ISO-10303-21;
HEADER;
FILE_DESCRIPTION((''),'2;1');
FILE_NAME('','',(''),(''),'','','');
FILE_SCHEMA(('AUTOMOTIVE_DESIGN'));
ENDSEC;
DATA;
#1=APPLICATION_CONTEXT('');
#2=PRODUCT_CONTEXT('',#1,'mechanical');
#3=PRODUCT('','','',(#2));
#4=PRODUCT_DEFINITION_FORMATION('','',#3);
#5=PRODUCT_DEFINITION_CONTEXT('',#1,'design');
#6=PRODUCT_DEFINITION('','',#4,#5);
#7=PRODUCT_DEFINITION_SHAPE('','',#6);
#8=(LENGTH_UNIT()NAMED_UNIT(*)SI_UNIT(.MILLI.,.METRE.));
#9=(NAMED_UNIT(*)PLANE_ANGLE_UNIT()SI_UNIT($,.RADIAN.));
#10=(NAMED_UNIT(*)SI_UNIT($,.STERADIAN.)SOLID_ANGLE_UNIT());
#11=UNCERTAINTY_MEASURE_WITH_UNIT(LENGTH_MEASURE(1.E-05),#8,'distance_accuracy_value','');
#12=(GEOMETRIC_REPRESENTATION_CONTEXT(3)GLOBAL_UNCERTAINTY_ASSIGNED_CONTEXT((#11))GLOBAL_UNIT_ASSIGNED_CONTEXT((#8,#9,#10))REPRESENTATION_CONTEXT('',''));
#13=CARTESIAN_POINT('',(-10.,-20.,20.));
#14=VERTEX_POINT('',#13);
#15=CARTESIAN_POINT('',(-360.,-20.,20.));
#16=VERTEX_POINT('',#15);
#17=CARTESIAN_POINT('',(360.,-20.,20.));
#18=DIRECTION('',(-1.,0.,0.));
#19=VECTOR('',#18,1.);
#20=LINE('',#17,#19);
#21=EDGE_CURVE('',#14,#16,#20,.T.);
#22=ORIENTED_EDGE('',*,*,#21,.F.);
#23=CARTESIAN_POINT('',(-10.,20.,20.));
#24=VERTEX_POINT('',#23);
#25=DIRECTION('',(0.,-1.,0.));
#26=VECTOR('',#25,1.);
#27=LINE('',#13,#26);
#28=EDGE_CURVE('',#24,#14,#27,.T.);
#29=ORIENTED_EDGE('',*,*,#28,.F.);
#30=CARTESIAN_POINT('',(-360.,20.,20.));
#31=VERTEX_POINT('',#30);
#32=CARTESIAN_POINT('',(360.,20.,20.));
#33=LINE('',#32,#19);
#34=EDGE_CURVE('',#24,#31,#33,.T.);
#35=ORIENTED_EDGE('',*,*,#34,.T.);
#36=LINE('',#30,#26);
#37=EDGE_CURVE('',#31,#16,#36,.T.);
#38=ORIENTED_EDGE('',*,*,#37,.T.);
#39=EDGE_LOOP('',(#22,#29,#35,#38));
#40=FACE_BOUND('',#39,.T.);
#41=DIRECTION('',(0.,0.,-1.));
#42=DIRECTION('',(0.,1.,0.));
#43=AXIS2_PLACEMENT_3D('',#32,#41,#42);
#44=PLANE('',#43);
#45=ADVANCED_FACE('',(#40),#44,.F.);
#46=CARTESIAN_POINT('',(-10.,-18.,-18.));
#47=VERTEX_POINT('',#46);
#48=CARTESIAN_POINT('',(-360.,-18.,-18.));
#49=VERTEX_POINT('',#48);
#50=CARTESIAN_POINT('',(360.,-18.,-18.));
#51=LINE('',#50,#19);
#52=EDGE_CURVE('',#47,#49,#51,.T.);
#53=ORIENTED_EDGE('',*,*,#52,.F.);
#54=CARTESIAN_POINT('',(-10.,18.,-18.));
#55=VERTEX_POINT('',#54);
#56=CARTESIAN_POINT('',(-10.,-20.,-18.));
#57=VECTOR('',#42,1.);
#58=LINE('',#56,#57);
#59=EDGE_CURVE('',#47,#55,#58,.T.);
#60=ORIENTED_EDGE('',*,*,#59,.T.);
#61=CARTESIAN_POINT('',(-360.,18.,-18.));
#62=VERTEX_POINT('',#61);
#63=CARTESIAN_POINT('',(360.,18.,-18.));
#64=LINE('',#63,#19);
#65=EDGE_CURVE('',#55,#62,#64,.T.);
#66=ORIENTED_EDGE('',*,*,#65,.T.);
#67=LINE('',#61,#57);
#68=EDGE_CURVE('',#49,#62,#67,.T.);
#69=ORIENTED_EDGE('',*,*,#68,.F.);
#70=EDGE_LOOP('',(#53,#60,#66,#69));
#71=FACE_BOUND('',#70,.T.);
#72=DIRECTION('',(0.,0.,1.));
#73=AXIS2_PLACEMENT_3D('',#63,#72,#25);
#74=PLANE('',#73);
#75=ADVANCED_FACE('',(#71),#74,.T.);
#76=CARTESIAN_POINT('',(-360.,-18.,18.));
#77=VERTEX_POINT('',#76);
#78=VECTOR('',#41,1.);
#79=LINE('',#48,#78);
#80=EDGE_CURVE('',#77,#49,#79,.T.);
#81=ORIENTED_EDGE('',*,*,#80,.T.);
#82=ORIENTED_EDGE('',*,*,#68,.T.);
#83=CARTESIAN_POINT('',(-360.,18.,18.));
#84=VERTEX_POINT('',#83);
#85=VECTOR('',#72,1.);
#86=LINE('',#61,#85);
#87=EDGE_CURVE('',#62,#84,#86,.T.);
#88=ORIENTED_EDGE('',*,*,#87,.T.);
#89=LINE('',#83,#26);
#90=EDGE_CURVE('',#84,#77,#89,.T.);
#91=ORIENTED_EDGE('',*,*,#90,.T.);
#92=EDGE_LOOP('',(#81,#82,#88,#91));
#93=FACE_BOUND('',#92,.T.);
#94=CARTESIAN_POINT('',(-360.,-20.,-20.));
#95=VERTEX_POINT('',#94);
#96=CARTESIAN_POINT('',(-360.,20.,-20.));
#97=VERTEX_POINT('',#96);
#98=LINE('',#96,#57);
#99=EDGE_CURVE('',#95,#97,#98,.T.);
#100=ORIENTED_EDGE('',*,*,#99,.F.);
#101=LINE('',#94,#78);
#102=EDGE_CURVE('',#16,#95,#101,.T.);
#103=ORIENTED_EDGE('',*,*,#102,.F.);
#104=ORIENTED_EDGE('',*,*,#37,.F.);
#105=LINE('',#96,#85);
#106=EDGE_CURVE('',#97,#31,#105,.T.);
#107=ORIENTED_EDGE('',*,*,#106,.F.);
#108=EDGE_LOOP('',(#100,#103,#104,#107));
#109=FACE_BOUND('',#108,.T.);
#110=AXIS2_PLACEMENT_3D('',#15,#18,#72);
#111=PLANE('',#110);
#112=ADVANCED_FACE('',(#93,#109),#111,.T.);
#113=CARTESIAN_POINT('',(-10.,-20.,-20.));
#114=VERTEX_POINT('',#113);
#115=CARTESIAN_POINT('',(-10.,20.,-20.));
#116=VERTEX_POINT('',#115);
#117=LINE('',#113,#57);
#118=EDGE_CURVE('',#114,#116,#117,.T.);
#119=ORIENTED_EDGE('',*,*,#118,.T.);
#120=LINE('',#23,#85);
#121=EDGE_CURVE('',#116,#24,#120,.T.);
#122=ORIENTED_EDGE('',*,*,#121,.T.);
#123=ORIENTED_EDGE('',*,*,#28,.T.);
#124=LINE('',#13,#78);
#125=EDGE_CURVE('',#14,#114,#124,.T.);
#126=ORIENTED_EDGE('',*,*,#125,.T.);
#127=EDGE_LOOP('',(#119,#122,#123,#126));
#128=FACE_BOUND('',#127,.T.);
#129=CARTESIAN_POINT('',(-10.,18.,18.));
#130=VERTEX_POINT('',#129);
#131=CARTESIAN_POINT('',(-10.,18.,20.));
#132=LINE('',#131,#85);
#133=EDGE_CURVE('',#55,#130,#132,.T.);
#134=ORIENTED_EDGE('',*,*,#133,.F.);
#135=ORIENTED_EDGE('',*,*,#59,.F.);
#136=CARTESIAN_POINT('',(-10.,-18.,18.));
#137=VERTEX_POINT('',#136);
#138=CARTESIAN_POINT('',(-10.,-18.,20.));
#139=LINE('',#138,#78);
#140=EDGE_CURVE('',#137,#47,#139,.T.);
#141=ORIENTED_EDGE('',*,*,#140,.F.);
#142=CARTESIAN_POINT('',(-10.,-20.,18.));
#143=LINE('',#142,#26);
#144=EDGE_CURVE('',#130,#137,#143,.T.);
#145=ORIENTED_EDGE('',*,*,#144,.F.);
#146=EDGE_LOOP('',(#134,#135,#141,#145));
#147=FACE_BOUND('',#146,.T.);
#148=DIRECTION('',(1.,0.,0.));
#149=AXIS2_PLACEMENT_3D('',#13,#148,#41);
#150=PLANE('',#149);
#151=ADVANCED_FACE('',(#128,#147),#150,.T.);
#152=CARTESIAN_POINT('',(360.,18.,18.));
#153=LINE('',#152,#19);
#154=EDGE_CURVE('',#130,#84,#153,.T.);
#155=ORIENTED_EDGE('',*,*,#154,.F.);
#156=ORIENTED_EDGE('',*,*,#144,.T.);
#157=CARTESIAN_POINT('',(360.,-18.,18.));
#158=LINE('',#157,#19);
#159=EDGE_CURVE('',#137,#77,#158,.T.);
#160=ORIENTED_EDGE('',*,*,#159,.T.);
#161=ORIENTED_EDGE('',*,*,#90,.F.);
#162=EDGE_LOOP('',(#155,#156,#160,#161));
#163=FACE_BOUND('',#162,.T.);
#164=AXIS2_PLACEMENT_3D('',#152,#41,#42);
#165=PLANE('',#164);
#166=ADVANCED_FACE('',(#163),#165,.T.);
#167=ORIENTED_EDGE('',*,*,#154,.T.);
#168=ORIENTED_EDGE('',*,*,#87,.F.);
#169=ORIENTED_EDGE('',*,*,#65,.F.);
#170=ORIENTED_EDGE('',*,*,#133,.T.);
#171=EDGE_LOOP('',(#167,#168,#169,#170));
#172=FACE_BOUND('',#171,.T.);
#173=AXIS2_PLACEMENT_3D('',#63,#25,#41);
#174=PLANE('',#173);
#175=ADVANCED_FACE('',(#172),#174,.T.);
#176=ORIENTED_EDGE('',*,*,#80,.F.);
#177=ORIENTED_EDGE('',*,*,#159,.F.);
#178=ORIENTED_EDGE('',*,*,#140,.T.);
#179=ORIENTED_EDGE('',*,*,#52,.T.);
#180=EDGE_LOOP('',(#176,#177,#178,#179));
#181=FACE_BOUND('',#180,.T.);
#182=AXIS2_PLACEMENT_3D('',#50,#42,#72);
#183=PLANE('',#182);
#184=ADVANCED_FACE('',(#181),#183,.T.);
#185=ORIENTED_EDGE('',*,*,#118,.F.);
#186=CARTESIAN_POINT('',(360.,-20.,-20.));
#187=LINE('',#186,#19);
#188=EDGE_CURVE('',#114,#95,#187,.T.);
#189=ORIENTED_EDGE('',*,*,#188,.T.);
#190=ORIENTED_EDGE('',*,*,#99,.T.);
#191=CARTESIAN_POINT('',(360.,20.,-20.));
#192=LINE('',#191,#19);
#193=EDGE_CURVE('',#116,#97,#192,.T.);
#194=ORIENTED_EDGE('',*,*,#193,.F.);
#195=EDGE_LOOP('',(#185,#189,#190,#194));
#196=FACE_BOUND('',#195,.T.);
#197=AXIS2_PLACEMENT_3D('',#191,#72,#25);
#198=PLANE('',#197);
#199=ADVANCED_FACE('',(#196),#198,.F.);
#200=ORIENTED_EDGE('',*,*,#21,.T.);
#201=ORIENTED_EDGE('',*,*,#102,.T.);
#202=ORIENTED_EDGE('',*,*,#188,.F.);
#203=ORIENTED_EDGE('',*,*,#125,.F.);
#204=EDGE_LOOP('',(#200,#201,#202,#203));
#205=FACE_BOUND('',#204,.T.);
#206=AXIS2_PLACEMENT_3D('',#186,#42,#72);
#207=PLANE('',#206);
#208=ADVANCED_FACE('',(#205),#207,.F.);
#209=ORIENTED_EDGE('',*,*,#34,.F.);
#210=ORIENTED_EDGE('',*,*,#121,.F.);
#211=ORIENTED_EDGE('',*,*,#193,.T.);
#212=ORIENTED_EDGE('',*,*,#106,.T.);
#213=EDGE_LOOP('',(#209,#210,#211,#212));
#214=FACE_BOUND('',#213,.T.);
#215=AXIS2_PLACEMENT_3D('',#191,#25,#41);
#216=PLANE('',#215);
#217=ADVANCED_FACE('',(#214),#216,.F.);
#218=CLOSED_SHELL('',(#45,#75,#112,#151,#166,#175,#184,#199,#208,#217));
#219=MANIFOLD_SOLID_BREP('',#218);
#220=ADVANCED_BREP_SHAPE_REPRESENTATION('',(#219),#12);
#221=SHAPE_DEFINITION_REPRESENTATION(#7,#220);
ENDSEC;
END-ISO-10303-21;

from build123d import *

# Parameters (mm, degrees)
SKETCH1_W           = 40
SKETCH1_H           = 40
SKETCH1_W_2         = 36
SKETCH1_H_2         = 36
BOSS_EXTRUDE1_DEPTH = 360
CUT_EXTRUDE1_START  = 360
SKETCH1_2_W         = 40
SKETCH1_2_H         = 40
SKETCH1_2_W_2       = 36
SKETCH1_2_H_2       = 36
CUT_EXTRUDE1_DEPTH  = 370


with BuildPart() as part:
    # Sketch1 → Boss-Extrude1 (new, symmetric)
    with BuildSketch(Plane(origin=(0, 0, 0), x_dir=(0, 0, -1), z_dir=(1, 0, 0))):
        Rectangle(SKETCH1_W, SKETCH1_H)
        Rectangle(SKETCH1_W_2, SKETCH1_H_2, mode=Mode.SUBTRACT)
    extrude(amount=BOSS_EXTRUDE1_DEPTH, both=True)

    # Sketch1<2> → Cut-Extrude1 (cut)
    with BuildSketch(Plane(origin=(0, 0, 0), x_dir=(0, 0, -1), z_dir=(1, 0, 0)).offset(CUT_EXTRUDE1_START)):
        Rectangle(SKETCH1_2_W, SKETCH1_2_H)
        Rectangle(SKETCH1_2_W_2, SKETCH1_2_H_2, mode=Mode.SUBTRACT)
    extrude(amount=-CUT_EXTRUDE1_DEPTH, mode=Mode.SUBTRACT)


solid = part.part
